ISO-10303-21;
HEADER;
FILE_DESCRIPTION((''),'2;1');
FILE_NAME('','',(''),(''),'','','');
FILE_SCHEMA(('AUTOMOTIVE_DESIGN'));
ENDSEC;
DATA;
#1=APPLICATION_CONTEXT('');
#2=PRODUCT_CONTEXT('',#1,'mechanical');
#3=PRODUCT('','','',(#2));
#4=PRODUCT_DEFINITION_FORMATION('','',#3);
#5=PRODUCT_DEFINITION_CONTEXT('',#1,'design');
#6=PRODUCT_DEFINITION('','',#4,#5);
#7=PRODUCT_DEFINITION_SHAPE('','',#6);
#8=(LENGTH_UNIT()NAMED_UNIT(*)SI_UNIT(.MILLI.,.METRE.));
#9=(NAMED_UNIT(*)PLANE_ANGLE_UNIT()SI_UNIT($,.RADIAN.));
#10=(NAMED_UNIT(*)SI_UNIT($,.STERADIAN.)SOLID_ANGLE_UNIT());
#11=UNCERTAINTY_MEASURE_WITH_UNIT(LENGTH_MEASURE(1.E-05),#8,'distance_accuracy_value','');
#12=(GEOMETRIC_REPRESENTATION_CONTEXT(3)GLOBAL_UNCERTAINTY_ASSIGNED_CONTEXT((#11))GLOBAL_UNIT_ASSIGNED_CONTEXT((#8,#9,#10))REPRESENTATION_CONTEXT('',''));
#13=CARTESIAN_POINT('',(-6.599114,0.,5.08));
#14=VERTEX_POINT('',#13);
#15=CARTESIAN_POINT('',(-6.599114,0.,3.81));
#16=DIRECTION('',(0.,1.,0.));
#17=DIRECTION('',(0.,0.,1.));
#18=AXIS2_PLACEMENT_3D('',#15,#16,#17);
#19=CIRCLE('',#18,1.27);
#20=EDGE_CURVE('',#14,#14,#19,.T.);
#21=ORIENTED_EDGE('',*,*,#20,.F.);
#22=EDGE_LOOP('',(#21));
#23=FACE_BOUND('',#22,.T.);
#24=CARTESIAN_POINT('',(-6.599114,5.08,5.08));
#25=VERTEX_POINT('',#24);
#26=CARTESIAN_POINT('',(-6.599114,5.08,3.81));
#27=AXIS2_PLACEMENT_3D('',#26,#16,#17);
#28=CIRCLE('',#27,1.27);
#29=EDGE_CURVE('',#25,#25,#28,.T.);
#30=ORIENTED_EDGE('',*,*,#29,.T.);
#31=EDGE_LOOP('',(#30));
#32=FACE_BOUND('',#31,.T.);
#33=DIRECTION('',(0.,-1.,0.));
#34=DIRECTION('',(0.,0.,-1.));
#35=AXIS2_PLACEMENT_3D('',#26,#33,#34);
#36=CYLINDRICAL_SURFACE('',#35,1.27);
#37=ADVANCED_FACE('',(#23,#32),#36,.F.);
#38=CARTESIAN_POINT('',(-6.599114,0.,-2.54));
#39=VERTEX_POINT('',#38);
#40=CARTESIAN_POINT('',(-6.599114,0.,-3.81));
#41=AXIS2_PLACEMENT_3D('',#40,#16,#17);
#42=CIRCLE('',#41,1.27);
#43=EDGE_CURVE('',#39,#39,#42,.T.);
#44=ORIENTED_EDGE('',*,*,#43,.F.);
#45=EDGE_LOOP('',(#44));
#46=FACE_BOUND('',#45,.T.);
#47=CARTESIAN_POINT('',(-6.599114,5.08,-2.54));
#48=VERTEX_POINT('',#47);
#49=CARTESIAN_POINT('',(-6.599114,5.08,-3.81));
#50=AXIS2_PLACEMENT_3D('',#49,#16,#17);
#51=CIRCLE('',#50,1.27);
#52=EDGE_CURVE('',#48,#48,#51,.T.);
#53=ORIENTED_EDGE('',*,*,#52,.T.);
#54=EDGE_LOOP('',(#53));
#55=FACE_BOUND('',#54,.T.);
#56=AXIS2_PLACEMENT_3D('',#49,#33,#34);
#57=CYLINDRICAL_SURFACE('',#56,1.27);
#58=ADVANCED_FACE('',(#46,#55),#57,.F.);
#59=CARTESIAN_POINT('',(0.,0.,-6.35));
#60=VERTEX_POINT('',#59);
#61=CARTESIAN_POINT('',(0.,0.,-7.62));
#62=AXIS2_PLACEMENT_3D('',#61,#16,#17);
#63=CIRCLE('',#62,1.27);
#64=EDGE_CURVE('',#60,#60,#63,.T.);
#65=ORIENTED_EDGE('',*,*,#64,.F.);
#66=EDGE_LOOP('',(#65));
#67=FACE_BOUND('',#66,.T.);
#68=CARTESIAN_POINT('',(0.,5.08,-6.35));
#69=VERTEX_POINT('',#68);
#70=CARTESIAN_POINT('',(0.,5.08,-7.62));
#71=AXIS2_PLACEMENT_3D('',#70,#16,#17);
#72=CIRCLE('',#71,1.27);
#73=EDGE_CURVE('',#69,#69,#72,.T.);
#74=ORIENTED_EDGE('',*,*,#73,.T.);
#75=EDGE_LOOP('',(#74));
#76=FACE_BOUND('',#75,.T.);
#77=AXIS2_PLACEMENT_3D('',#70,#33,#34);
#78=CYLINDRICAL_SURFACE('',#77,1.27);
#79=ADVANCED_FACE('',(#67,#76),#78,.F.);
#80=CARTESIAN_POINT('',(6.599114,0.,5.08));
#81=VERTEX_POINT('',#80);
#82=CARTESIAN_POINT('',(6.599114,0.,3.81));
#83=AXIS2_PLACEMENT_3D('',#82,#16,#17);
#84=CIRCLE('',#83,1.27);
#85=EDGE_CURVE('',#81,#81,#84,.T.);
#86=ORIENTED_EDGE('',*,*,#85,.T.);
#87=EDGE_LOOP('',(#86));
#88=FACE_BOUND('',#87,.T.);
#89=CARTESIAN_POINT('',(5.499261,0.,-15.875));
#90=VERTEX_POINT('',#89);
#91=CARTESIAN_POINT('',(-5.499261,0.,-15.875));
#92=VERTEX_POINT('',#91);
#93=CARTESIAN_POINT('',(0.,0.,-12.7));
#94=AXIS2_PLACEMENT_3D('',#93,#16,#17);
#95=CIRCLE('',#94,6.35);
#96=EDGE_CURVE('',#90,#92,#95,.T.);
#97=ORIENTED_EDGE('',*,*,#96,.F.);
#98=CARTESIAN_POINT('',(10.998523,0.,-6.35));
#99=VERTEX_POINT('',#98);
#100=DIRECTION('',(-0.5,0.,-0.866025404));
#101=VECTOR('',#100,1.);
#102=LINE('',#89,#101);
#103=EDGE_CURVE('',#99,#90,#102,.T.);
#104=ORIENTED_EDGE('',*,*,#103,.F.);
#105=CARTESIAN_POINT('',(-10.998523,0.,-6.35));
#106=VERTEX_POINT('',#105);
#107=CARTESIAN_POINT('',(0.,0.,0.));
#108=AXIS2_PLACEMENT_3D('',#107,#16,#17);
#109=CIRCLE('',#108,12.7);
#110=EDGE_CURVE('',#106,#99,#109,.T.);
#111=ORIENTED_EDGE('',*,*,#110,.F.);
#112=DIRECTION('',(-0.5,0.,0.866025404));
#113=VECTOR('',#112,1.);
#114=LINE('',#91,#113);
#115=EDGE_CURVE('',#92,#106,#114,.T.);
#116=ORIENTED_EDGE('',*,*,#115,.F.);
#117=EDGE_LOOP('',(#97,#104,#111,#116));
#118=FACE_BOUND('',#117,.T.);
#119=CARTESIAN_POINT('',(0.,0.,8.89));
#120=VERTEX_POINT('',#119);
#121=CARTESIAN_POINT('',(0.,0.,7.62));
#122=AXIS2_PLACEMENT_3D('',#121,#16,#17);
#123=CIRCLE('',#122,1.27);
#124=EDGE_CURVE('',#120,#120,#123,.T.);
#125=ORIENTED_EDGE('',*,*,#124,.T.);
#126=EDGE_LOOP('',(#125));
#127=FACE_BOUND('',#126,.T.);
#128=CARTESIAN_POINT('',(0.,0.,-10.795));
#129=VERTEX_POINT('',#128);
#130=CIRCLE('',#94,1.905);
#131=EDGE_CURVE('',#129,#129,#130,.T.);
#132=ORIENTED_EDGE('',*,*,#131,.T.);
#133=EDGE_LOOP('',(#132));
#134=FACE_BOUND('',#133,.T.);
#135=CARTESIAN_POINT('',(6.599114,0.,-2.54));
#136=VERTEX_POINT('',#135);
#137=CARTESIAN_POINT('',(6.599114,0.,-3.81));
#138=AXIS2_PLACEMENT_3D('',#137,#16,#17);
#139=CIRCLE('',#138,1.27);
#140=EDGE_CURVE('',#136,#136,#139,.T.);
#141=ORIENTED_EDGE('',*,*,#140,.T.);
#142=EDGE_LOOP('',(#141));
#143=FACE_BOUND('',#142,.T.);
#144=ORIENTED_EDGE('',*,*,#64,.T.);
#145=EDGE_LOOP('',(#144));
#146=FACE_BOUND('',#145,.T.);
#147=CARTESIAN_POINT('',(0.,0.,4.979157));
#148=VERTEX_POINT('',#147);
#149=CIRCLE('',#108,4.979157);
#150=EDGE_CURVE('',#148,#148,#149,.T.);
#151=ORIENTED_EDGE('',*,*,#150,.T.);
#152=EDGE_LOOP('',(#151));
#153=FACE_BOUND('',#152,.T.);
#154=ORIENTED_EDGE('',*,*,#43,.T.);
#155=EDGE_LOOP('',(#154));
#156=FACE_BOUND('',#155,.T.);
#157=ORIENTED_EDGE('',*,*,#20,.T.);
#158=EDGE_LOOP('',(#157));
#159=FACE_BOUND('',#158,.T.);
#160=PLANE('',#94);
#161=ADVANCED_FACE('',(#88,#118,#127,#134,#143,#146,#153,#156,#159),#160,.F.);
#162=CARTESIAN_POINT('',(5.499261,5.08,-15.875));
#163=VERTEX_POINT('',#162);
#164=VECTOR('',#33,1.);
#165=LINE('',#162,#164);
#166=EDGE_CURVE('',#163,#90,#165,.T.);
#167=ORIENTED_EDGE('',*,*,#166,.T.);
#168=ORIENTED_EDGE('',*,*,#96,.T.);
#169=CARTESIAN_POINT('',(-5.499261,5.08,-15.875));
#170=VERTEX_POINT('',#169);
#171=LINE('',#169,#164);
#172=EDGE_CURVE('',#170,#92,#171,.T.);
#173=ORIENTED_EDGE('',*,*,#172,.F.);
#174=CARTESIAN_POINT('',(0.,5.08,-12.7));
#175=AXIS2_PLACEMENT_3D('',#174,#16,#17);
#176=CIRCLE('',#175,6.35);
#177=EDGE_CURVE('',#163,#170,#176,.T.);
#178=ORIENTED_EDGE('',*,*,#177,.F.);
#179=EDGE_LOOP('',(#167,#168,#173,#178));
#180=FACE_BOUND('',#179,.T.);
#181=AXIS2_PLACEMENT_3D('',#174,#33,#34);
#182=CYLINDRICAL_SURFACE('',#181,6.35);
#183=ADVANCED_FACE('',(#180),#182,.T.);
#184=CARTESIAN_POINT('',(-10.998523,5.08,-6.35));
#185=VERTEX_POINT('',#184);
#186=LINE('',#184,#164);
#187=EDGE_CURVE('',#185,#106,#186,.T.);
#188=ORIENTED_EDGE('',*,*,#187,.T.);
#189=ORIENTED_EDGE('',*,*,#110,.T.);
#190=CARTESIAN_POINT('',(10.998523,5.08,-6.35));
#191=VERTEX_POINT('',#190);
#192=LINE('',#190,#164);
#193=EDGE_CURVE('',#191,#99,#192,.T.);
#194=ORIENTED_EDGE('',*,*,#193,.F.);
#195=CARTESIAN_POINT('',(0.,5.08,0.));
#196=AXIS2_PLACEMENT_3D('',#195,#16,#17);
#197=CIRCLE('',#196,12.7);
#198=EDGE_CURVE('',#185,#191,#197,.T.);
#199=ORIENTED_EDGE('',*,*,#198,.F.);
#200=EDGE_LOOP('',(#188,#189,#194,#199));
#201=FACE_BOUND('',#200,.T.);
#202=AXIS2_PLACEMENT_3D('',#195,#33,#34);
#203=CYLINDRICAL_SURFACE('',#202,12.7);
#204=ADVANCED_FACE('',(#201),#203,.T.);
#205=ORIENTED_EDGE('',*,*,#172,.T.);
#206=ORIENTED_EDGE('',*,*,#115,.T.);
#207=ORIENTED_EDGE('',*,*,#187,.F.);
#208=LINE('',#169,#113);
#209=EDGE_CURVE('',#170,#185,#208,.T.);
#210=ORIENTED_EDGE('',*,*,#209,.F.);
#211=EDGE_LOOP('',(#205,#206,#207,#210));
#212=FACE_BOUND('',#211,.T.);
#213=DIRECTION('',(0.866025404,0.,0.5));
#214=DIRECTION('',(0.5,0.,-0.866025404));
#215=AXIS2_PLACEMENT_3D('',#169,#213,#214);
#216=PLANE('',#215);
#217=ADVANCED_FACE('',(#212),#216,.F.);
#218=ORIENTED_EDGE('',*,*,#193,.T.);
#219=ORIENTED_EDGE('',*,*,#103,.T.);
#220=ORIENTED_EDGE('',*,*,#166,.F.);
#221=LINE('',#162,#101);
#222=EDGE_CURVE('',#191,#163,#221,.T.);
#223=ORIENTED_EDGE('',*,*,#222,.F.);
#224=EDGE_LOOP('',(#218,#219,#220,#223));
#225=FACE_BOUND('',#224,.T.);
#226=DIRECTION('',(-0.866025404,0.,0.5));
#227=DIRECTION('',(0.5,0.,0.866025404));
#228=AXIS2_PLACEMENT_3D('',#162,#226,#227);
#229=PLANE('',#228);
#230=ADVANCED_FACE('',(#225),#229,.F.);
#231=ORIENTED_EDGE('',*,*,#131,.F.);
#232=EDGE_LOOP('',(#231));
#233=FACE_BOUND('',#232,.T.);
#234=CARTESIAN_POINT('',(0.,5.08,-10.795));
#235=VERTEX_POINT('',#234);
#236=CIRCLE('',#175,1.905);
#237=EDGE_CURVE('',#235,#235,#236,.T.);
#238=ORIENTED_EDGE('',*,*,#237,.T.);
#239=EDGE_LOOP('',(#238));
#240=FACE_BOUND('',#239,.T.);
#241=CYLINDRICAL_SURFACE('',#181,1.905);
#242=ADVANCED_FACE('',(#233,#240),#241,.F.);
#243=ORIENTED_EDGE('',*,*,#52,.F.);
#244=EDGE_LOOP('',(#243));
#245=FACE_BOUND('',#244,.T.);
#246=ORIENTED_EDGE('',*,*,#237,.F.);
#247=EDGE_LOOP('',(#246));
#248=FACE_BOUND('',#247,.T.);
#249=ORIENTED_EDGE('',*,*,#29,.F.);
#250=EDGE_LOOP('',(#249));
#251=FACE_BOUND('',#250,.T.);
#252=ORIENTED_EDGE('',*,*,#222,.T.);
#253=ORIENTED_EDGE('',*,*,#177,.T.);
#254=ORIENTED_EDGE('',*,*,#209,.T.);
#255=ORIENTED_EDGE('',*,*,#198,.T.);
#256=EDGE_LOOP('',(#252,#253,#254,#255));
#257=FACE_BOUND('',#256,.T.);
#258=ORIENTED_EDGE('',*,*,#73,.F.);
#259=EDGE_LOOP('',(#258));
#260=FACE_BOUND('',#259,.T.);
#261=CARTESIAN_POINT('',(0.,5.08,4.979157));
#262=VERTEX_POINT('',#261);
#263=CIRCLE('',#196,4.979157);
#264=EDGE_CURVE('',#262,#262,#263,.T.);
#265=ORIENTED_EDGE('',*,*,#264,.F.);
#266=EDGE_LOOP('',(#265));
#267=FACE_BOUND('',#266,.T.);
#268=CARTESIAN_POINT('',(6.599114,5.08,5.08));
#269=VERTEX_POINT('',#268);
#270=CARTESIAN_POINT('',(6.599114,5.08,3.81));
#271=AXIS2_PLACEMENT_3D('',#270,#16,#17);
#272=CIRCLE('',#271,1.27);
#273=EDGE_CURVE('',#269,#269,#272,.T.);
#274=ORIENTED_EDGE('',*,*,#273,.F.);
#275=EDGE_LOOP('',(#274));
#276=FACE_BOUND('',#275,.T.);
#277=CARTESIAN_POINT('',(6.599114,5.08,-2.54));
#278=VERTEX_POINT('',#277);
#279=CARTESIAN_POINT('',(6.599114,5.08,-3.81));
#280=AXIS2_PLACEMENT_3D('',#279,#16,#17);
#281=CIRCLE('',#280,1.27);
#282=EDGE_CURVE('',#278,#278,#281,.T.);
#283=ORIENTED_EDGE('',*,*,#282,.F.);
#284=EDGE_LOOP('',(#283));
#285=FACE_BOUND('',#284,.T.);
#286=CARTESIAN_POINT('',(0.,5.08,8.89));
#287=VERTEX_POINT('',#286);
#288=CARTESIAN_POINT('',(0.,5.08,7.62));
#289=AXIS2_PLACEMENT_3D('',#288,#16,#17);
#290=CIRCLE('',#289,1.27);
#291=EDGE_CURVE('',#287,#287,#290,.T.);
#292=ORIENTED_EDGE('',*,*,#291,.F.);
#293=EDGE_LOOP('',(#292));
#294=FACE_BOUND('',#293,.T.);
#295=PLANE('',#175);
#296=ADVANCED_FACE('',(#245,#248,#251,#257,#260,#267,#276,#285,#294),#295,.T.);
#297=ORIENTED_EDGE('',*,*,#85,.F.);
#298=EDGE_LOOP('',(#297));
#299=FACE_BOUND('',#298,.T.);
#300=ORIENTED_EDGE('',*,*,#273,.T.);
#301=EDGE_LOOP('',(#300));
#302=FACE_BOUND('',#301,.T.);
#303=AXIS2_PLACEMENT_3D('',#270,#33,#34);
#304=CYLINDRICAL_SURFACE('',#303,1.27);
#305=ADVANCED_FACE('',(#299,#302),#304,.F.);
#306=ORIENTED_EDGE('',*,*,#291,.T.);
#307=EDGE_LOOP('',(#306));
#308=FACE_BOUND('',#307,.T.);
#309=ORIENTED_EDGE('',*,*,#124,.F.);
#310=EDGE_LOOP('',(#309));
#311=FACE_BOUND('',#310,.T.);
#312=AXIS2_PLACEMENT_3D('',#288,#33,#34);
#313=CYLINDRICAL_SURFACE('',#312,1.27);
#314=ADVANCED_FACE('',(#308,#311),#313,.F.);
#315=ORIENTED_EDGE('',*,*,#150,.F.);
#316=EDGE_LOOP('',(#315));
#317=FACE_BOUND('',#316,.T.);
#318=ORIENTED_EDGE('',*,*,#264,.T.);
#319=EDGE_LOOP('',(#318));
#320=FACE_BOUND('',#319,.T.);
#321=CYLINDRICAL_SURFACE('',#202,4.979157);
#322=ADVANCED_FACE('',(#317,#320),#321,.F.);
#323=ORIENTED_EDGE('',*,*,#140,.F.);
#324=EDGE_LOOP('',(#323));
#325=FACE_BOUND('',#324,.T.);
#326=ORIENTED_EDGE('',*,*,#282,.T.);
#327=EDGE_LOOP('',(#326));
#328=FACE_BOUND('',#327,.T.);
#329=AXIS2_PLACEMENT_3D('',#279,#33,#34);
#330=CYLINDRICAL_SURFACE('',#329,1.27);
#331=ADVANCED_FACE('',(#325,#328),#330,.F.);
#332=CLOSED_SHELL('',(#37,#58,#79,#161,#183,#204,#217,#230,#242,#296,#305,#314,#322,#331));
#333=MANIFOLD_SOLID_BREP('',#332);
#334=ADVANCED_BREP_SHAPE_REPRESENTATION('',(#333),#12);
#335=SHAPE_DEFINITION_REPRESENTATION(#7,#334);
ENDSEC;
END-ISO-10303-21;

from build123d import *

# Parameters (mm, degrees)
SKETCH1_R           = 4.979156699
SKETCH1_R_2         = 1.27
SKETCH1_R_3         = 1.905
BOSS_EXTRUDE1_DEPTH = 5.08


with BuildPart() as part:
    # Sketch1 → Boss-Extrude1 (new body)
    with BuildSketch(Plane(origin=(0, 0, 0), x_dir=(1, 0, 0), z_dir=(0, 1, 0))):
        with BuildLine():
            Line((-5.499261314, 15.875), (-10.998522628, 6.35))
            ThreePointArc((-10.998522628, 6.35), (0, -12.7), (10.998522628, 6.35))
            Line((10.998522628, 6.35), (5.499261314, 15.875))
            ThreePointArc((5.499261314, 15.875), (0, 19.05), (-5.499261314, 15.875))
        make_face()
        with Locations(Location((0, 0, 0), (0, 0, 270))):
            Circle(SKETCH1_R, mode=Mode.SUBTRACT)
        with Locations(Location((0, 7.62, 0), (0, 0, 270))):
            Circle(SKETCH1_R_2, mode=Mode.SUBTRACT)
        with Locations(Location((6.599113577, 3.81, 0), (0, 0, 270))):
            Circle(SKETCH1_R_2, mode=Mode.SUBTRACT)
        with Locations(Location((6.599113577, -3.81, 0), (0, 0, 270))):
            Circle(SKETCH1_R_2, mode=Mode.SUBTRACT)
        with Locations(Location((0, -7.62, 0), (0, 0, 270))):
            Circle(SKETCH1_R_2, mode=Mode.SUBTRACT)
        with Locations(Location((-6.599113577, -3.81, 0), (0, 0, 270))):
            Circle(SKETCH1_R_2, mode=Mode.SUBTRACT)
        with Locations(Location((-6.599113577, 3.81, 0), (0, 0, 270))):
            Circle(SKETCH1_R_2, mode=Mode.SUBTRACT)
        with Locations(Location((0, 12.7, 0), (0, 0, 270))):
            Circle(SKETCH1_R_3, mode=Mode.SUBTRACT)
    extrude(amount=BOSS_EXTRUDE1_DEPTH)


solid = part.part
